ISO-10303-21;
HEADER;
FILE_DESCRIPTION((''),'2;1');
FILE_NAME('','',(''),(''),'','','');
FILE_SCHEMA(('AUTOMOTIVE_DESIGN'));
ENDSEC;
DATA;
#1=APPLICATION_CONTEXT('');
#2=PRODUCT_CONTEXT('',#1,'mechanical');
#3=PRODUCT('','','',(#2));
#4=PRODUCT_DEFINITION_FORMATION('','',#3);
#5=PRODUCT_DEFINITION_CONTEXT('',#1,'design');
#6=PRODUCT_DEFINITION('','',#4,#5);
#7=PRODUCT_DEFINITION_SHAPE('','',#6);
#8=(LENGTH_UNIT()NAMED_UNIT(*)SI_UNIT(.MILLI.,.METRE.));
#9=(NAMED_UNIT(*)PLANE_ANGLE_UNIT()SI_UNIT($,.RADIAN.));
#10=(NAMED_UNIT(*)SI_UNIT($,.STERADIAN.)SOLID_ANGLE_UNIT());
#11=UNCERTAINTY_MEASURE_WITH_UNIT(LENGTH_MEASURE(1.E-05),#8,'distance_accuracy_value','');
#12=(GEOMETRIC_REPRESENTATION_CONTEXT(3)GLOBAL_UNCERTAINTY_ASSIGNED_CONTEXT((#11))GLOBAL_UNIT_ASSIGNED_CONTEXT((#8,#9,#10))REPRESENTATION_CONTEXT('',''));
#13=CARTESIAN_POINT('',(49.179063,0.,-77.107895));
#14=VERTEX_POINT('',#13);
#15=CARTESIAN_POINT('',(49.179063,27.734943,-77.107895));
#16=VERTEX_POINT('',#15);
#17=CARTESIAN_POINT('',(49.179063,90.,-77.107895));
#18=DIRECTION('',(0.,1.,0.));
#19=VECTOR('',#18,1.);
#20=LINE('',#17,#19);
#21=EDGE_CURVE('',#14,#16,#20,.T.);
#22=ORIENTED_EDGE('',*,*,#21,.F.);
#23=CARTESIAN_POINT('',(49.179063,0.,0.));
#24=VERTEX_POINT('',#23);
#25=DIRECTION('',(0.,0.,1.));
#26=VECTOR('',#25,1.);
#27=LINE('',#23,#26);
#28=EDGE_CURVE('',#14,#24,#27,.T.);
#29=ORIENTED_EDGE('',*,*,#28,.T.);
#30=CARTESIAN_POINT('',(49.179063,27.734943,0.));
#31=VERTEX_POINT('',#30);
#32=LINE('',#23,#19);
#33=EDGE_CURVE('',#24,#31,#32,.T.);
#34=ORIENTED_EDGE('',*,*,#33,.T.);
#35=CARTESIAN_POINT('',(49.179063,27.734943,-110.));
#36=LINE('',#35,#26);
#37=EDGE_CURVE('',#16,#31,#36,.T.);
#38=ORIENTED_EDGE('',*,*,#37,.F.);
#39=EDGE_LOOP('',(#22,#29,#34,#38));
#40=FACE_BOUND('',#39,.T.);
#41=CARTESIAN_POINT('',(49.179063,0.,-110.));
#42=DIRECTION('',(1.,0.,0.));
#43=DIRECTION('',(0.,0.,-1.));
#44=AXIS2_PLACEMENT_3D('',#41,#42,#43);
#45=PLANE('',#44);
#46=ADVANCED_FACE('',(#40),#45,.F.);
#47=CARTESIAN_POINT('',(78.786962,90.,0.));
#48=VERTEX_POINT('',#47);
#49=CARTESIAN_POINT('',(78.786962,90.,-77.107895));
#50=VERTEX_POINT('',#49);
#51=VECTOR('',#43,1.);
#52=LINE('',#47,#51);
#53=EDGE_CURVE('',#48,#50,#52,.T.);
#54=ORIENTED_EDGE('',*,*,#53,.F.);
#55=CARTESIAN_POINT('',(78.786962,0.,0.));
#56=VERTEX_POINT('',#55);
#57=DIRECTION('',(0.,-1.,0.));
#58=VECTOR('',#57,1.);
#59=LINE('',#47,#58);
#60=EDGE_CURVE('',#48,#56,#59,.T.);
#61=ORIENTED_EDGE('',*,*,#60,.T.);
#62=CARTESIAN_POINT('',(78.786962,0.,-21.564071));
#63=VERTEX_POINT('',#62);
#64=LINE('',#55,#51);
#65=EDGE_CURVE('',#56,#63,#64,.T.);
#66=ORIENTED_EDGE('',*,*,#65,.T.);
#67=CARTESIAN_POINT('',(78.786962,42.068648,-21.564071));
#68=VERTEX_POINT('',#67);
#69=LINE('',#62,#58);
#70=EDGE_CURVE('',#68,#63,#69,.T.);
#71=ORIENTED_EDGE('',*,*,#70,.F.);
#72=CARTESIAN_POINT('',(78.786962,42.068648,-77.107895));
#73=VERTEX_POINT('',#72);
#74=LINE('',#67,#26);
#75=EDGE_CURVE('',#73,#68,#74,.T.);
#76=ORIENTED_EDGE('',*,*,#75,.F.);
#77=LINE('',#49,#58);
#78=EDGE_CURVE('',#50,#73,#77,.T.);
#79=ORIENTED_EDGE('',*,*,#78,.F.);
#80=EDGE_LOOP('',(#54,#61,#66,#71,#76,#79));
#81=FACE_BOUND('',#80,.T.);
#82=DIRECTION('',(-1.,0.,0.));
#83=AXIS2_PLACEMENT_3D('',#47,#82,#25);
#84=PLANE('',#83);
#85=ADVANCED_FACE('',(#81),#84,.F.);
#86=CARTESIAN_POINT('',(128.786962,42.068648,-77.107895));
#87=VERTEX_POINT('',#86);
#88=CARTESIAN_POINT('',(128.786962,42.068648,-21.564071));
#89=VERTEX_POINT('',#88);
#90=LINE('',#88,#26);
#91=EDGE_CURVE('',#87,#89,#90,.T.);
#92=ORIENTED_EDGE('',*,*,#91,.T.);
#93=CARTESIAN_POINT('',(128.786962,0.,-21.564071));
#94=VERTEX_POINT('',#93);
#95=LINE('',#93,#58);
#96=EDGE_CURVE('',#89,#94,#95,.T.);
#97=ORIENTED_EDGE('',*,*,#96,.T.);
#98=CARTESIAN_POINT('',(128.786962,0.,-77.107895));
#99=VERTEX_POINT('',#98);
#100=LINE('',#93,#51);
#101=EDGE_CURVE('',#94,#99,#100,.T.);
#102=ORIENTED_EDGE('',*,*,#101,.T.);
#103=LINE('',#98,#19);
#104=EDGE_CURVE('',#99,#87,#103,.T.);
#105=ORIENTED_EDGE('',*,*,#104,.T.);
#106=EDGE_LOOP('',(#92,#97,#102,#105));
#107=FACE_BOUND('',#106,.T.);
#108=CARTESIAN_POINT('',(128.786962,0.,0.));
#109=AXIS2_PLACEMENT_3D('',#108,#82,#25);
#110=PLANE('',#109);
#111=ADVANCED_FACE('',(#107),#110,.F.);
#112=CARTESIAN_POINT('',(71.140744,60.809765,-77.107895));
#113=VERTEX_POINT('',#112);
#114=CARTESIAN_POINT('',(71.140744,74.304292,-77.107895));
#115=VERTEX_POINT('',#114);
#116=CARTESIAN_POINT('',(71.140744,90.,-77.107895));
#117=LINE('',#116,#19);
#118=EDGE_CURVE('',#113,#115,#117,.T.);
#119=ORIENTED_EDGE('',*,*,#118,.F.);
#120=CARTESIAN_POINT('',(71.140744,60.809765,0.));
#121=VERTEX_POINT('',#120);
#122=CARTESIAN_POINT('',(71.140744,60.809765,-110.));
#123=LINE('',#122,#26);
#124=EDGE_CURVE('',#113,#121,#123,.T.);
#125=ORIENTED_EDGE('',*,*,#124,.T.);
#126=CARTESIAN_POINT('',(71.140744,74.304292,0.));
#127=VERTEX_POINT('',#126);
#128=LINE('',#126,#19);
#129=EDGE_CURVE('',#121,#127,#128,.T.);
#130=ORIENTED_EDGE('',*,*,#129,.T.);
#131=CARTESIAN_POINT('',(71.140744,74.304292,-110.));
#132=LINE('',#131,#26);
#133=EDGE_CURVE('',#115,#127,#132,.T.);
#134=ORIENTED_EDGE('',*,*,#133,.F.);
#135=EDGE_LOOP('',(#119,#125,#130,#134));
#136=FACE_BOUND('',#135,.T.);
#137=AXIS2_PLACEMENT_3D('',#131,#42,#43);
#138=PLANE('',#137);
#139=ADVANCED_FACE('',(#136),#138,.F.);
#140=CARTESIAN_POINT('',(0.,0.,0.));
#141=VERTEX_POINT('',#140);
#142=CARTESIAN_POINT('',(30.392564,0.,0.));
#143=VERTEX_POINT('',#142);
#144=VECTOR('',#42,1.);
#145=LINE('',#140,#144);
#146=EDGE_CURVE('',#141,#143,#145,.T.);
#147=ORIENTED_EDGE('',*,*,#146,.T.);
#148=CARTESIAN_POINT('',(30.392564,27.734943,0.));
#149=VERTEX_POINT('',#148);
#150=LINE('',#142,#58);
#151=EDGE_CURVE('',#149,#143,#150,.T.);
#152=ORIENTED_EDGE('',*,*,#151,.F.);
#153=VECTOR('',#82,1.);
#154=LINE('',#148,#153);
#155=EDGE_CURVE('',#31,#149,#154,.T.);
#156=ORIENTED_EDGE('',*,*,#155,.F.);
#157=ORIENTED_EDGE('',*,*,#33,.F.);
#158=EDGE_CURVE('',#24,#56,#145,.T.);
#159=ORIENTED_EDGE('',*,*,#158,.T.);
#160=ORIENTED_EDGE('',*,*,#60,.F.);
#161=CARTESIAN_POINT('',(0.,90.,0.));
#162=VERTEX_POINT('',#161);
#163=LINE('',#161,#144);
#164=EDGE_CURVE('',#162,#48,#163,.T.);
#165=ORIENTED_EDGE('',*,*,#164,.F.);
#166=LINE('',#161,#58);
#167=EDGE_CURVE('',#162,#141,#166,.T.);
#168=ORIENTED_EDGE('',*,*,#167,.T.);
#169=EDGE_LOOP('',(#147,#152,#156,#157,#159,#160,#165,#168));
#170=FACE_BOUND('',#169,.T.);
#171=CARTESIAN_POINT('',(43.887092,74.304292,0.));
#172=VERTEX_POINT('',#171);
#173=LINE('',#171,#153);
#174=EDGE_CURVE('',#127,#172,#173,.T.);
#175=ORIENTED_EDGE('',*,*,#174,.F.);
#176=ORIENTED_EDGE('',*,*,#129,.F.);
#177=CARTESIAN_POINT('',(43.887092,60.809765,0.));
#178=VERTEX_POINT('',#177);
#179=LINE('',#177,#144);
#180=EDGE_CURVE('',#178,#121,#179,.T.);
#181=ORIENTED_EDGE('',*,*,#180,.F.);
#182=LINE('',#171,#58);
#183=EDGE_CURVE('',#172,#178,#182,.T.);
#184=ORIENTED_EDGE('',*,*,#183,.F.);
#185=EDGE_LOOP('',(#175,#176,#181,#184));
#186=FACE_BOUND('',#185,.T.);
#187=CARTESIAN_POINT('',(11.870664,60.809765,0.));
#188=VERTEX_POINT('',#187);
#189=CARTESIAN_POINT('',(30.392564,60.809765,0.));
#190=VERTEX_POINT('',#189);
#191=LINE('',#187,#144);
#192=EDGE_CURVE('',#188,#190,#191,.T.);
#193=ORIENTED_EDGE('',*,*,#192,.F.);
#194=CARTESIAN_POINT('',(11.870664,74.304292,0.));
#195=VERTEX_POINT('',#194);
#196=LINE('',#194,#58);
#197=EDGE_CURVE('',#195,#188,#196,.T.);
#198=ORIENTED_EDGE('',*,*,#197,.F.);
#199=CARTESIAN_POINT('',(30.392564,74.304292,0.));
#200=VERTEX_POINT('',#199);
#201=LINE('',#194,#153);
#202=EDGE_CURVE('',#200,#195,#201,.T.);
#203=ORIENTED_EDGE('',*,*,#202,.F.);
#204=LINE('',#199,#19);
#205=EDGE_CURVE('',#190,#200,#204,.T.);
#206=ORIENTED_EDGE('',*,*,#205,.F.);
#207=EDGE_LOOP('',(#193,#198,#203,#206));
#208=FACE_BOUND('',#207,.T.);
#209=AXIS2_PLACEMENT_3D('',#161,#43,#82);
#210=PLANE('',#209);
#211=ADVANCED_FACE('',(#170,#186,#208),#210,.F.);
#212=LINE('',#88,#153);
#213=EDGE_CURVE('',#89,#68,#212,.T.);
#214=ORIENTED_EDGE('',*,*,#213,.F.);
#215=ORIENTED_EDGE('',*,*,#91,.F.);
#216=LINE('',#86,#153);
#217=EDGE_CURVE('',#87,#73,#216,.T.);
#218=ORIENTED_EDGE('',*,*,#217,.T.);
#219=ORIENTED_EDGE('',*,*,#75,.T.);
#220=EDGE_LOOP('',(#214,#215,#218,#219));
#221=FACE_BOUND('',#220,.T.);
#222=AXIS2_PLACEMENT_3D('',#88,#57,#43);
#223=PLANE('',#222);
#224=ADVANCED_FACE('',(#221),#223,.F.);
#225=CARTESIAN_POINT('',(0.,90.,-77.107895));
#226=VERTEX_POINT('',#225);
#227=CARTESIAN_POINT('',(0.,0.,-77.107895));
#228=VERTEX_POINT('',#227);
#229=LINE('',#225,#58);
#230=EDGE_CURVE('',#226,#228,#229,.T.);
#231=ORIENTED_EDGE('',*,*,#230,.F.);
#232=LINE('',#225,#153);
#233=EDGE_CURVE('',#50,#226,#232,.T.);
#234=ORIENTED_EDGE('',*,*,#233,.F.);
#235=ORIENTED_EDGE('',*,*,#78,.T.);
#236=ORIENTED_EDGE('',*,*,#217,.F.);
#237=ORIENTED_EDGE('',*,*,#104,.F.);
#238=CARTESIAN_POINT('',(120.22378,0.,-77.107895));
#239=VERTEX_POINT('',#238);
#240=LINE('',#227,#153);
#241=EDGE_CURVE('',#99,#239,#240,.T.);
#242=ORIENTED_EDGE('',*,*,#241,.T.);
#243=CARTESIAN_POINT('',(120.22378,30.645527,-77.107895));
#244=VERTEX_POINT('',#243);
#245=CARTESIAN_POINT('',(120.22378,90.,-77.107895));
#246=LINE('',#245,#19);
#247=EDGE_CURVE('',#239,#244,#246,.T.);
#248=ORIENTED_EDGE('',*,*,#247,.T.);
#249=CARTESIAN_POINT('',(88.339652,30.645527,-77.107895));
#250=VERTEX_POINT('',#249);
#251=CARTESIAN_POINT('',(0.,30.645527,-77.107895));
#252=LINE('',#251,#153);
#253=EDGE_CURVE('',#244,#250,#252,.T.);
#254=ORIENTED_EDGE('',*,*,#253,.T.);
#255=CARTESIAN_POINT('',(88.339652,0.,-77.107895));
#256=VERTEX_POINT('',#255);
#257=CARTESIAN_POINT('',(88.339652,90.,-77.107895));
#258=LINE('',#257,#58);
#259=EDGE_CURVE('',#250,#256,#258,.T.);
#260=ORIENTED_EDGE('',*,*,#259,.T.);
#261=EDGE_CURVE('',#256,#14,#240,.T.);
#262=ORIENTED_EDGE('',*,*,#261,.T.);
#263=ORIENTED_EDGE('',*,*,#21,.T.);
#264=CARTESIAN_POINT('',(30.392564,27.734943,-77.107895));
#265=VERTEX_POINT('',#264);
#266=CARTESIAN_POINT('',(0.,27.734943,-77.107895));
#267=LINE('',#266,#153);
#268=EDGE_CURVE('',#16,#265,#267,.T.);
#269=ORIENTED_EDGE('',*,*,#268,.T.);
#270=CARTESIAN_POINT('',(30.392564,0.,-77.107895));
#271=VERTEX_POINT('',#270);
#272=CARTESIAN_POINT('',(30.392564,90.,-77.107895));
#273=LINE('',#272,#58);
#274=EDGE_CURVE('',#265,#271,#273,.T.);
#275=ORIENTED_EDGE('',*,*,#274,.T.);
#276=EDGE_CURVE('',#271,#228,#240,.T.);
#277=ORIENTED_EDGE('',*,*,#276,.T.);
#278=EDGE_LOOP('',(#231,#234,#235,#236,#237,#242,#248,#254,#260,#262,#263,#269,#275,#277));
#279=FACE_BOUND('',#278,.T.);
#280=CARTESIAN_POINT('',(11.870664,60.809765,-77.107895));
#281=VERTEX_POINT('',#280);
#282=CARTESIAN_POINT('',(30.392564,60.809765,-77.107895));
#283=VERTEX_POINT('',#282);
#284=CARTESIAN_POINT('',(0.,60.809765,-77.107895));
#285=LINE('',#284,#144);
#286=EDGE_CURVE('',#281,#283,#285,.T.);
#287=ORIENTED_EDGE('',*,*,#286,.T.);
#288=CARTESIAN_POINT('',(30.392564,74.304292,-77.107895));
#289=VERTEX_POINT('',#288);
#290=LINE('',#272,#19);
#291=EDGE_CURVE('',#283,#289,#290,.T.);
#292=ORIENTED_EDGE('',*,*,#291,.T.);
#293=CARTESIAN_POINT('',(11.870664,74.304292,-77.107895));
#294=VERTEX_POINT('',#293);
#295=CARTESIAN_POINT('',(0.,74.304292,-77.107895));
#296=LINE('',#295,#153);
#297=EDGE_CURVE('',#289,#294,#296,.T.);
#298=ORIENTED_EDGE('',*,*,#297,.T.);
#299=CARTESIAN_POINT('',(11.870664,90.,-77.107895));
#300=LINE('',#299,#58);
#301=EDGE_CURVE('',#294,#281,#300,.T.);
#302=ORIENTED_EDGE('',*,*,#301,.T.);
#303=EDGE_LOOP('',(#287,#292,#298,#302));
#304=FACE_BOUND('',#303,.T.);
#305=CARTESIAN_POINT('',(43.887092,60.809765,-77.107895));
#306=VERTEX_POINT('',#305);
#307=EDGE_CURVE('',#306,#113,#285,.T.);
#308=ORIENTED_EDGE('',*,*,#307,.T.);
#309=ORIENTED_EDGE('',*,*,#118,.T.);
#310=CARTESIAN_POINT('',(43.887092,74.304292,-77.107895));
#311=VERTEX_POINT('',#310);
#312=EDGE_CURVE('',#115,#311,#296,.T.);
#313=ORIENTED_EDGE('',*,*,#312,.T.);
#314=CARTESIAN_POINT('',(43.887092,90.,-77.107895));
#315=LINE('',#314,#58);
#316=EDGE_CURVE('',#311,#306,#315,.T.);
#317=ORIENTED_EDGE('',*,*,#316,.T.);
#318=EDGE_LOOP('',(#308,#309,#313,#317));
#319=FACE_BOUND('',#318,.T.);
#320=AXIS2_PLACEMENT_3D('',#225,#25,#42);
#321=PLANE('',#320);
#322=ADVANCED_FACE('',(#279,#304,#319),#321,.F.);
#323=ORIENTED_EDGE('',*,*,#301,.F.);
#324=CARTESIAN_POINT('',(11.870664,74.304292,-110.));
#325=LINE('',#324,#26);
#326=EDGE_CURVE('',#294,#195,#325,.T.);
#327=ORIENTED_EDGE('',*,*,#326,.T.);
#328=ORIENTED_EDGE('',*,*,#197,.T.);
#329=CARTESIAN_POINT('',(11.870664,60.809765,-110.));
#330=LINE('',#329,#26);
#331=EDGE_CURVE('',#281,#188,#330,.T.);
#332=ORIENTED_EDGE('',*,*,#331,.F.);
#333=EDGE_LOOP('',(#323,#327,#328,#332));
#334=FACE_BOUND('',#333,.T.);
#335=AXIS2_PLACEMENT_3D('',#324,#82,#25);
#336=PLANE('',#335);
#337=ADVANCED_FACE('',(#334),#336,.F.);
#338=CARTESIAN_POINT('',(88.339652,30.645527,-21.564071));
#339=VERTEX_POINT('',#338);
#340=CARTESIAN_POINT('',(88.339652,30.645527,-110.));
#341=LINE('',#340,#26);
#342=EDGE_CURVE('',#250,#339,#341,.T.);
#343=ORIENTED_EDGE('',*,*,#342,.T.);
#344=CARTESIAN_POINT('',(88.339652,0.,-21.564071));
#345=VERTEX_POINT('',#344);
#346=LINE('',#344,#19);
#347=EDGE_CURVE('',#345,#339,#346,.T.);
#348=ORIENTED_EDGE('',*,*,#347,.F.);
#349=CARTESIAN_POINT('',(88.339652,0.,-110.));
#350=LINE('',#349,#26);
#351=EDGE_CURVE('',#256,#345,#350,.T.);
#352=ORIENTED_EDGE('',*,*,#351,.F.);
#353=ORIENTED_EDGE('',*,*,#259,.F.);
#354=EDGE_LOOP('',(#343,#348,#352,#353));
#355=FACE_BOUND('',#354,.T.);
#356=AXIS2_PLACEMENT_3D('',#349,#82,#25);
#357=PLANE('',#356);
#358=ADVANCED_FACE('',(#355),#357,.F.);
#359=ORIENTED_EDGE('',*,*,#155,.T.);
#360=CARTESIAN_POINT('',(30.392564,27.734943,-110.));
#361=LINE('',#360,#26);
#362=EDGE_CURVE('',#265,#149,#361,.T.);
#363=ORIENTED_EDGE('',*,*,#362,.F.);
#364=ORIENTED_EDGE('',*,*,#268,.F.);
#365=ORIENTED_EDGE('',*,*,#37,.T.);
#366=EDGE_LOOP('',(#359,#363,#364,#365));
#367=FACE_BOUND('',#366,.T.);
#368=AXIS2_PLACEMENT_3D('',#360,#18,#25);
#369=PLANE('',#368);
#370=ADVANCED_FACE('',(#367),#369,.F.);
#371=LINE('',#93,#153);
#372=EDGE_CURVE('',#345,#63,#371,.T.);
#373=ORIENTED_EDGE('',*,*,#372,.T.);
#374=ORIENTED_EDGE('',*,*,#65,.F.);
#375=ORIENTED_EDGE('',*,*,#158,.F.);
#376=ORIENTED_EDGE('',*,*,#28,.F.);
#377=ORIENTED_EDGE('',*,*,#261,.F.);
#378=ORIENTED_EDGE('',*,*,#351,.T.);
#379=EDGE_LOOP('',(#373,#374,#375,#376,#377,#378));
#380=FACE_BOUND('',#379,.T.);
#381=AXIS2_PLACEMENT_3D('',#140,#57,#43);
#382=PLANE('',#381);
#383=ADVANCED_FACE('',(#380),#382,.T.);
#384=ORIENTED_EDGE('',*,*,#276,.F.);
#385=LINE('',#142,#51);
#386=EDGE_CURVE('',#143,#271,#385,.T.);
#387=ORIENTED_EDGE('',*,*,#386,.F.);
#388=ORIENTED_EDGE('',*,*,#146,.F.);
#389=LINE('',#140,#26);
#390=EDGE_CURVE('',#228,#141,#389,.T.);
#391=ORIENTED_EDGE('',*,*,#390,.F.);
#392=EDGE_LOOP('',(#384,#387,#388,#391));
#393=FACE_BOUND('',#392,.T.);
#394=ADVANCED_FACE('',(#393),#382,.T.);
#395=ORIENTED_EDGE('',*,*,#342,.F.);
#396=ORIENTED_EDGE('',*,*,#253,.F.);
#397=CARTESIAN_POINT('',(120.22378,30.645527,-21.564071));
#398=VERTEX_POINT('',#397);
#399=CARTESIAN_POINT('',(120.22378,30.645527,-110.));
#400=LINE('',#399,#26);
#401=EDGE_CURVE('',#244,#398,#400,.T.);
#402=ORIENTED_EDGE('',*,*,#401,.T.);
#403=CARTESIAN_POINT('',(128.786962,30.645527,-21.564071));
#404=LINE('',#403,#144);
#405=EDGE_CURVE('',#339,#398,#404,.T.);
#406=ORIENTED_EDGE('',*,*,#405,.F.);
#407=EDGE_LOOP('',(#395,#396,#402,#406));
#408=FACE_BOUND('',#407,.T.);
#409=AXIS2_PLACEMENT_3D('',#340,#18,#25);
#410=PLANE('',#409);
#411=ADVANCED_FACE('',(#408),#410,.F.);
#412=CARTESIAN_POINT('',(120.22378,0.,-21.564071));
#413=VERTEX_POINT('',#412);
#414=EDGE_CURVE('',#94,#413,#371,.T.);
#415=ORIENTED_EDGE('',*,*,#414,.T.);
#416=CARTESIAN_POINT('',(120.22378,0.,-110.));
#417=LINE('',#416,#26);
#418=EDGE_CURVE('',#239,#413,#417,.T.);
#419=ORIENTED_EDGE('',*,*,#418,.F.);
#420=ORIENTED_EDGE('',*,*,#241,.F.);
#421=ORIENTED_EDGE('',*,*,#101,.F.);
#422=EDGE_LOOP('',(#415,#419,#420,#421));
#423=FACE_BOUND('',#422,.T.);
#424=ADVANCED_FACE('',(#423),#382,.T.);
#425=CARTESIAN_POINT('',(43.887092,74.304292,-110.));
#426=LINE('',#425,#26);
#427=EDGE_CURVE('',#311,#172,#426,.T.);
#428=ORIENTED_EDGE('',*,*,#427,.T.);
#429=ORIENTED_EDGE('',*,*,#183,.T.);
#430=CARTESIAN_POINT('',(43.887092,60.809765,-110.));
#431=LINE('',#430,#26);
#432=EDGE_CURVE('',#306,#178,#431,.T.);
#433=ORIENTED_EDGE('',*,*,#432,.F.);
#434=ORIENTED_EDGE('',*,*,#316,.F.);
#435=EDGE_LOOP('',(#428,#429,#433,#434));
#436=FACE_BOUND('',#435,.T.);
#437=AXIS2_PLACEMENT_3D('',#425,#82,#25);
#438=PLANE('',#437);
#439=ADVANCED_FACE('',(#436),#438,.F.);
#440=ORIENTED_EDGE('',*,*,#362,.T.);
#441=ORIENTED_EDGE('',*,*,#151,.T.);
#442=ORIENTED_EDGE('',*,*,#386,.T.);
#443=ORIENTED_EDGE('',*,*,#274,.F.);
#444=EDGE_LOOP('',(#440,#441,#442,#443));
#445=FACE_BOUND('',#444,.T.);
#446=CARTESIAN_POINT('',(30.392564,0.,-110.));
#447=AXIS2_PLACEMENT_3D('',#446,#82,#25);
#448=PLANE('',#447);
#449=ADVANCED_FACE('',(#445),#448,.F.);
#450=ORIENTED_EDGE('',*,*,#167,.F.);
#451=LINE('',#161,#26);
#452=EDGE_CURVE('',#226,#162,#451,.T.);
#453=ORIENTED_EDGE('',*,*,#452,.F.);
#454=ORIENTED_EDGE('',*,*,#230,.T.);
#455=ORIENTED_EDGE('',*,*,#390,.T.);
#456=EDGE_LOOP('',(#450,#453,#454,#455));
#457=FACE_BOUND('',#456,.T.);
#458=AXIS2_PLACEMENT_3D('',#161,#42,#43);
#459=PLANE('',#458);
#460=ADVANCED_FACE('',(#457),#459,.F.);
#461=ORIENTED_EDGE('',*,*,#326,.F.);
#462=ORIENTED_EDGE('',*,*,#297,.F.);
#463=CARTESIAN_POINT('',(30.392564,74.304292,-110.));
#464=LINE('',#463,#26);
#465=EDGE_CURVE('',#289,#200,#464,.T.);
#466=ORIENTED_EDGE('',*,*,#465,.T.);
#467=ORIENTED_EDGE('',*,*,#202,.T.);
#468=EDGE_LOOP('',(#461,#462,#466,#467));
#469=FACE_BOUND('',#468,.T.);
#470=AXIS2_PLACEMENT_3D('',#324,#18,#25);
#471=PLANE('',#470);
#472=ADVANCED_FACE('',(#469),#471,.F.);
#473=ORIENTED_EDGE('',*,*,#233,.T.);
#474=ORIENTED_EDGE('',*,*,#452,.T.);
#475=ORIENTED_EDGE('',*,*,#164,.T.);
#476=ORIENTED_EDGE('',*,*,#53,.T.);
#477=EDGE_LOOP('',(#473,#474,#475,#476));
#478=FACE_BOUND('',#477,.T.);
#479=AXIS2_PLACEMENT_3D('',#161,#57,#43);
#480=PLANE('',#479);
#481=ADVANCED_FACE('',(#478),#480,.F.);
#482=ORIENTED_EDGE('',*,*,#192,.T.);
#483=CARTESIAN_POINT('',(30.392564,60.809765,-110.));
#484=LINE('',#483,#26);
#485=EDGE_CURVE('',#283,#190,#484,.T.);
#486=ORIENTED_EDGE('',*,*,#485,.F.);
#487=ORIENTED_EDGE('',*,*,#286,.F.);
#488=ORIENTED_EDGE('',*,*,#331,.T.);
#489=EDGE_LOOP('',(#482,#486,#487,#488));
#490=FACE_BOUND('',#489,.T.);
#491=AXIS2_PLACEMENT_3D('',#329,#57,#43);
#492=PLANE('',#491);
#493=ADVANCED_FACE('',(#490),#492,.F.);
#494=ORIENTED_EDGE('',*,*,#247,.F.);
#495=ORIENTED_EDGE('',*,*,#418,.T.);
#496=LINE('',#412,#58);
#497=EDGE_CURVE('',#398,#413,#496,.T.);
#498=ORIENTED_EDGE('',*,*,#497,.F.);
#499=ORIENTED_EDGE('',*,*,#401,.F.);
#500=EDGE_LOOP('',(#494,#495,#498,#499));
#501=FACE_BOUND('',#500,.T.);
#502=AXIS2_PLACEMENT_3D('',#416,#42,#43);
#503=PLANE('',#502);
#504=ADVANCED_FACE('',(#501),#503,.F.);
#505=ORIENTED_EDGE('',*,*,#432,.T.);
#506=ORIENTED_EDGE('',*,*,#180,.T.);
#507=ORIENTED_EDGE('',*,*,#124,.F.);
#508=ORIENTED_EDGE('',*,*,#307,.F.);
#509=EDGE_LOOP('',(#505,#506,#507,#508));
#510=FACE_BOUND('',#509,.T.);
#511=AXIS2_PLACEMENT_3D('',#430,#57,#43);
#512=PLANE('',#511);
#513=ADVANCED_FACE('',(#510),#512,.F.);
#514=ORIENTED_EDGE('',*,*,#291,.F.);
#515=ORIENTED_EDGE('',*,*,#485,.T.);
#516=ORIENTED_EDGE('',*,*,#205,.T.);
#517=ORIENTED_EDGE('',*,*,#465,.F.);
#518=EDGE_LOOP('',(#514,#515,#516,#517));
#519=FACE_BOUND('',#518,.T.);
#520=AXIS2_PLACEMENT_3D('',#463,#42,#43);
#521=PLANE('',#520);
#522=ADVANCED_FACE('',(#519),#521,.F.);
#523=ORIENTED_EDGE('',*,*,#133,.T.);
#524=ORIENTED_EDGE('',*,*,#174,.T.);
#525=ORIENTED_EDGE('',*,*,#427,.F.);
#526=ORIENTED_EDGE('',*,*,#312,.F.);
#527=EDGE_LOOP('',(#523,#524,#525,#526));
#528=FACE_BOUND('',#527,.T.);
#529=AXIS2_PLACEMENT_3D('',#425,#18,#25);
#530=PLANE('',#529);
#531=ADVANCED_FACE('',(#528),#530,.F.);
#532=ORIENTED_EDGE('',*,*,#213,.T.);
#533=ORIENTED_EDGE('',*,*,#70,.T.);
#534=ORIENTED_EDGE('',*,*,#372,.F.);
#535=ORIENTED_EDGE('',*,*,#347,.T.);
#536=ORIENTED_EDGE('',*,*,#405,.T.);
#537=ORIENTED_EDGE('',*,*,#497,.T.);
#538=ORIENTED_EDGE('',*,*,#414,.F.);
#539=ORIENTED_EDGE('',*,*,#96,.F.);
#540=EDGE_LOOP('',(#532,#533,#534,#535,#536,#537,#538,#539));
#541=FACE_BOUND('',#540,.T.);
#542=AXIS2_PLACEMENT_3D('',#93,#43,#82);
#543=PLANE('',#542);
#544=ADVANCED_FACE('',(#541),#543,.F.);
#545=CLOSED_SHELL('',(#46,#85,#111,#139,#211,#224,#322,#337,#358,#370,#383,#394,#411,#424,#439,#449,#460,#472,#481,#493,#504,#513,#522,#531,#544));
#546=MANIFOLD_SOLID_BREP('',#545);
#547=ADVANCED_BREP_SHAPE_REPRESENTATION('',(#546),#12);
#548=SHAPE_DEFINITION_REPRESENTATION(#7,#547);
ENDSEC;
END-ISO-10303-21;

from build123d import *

# Parameters (mm, degrees)
ESQUISSE1_W             = 78.786961771
ESQUISSE1_H             = 77.107895372
BOSS_EXTRU_1_DEPTH      = 90
ESQUISSE3_W             = 55.543823951
ESQUISSE3_H             = 42.068648109
BOSS_EXTRU_3_DEPTH      = 50
ESQUISSE4_W             = 18.786498619
ESQUISSE4_H             = 27.73494317
ESQUISSE4_W_2           = 31.884127938
ESQUISSE4_H_2           = 30.645527463
ESQUISSE4_W_3           = 18.521900048
ESQUISSE4_H_3           = 13.494527178
ESQUISSE4_W_4           = 27.253652927
ENL_V_MAT_EXTRU_1_DEPTH = 110


with BuildPart() as part:
    # Esquisse1 → Boss.-Extru.1 (new body)
    with BuildSketch(Plane(origin=(0, 0, 0), x_dir=(1, 0, 0), z_dir=(0, 1, 0))):
        with Locations((39.393480886, 38.553947686)):
            Rectangle(ESQUISSE1_W, ESQUISSE1_H)
    extrude(amount=BOSS_EXTRU_1_DEPTH)

    # Esquisse3 → Boss.-Extru.3 (add)
    with BuildSketch(Plane(origin=(78.786961771, 0, 0), x_dir=(0, 0, -1), z_dir=(1, 0, 0))):
        with Locations((49.335983396, 21.034324055)):
            Rectangle(ESQUISSE3_W, ESQUISSE3_H)
    extrude(amount=BOSS_EXTRU_3_DEPTH)

    # Esquisse4 → Enlèv. mat.-Extru.1 (cut)
    with BuildSketch(Plane.XY):
        with Locations((39.78581368, 13.867471585)):
            Rectangle(ESQUISSE4_W, ESQUISSE4_H)
        with Locations((104.28171563, 15.322763732)):
            Rectangle(ESQUISSE4_W_2, ESQUISSE4_H_2)
        with Locations((21.131614346, 67.557028272)):
            Rectangle(ESQUISSE4_W_3, ESQUISSE4_H_3)
        with Locations((57.513918011, 67.557028272)):
            Rectangle(ESQUISSE4_W_4, ESQUISSE4_H_3)
    extrude(amount=-ENL_V_MAT_EXTRU_1_DEPTH, mode=Mode.SUBTRACT)


solid = part.part
